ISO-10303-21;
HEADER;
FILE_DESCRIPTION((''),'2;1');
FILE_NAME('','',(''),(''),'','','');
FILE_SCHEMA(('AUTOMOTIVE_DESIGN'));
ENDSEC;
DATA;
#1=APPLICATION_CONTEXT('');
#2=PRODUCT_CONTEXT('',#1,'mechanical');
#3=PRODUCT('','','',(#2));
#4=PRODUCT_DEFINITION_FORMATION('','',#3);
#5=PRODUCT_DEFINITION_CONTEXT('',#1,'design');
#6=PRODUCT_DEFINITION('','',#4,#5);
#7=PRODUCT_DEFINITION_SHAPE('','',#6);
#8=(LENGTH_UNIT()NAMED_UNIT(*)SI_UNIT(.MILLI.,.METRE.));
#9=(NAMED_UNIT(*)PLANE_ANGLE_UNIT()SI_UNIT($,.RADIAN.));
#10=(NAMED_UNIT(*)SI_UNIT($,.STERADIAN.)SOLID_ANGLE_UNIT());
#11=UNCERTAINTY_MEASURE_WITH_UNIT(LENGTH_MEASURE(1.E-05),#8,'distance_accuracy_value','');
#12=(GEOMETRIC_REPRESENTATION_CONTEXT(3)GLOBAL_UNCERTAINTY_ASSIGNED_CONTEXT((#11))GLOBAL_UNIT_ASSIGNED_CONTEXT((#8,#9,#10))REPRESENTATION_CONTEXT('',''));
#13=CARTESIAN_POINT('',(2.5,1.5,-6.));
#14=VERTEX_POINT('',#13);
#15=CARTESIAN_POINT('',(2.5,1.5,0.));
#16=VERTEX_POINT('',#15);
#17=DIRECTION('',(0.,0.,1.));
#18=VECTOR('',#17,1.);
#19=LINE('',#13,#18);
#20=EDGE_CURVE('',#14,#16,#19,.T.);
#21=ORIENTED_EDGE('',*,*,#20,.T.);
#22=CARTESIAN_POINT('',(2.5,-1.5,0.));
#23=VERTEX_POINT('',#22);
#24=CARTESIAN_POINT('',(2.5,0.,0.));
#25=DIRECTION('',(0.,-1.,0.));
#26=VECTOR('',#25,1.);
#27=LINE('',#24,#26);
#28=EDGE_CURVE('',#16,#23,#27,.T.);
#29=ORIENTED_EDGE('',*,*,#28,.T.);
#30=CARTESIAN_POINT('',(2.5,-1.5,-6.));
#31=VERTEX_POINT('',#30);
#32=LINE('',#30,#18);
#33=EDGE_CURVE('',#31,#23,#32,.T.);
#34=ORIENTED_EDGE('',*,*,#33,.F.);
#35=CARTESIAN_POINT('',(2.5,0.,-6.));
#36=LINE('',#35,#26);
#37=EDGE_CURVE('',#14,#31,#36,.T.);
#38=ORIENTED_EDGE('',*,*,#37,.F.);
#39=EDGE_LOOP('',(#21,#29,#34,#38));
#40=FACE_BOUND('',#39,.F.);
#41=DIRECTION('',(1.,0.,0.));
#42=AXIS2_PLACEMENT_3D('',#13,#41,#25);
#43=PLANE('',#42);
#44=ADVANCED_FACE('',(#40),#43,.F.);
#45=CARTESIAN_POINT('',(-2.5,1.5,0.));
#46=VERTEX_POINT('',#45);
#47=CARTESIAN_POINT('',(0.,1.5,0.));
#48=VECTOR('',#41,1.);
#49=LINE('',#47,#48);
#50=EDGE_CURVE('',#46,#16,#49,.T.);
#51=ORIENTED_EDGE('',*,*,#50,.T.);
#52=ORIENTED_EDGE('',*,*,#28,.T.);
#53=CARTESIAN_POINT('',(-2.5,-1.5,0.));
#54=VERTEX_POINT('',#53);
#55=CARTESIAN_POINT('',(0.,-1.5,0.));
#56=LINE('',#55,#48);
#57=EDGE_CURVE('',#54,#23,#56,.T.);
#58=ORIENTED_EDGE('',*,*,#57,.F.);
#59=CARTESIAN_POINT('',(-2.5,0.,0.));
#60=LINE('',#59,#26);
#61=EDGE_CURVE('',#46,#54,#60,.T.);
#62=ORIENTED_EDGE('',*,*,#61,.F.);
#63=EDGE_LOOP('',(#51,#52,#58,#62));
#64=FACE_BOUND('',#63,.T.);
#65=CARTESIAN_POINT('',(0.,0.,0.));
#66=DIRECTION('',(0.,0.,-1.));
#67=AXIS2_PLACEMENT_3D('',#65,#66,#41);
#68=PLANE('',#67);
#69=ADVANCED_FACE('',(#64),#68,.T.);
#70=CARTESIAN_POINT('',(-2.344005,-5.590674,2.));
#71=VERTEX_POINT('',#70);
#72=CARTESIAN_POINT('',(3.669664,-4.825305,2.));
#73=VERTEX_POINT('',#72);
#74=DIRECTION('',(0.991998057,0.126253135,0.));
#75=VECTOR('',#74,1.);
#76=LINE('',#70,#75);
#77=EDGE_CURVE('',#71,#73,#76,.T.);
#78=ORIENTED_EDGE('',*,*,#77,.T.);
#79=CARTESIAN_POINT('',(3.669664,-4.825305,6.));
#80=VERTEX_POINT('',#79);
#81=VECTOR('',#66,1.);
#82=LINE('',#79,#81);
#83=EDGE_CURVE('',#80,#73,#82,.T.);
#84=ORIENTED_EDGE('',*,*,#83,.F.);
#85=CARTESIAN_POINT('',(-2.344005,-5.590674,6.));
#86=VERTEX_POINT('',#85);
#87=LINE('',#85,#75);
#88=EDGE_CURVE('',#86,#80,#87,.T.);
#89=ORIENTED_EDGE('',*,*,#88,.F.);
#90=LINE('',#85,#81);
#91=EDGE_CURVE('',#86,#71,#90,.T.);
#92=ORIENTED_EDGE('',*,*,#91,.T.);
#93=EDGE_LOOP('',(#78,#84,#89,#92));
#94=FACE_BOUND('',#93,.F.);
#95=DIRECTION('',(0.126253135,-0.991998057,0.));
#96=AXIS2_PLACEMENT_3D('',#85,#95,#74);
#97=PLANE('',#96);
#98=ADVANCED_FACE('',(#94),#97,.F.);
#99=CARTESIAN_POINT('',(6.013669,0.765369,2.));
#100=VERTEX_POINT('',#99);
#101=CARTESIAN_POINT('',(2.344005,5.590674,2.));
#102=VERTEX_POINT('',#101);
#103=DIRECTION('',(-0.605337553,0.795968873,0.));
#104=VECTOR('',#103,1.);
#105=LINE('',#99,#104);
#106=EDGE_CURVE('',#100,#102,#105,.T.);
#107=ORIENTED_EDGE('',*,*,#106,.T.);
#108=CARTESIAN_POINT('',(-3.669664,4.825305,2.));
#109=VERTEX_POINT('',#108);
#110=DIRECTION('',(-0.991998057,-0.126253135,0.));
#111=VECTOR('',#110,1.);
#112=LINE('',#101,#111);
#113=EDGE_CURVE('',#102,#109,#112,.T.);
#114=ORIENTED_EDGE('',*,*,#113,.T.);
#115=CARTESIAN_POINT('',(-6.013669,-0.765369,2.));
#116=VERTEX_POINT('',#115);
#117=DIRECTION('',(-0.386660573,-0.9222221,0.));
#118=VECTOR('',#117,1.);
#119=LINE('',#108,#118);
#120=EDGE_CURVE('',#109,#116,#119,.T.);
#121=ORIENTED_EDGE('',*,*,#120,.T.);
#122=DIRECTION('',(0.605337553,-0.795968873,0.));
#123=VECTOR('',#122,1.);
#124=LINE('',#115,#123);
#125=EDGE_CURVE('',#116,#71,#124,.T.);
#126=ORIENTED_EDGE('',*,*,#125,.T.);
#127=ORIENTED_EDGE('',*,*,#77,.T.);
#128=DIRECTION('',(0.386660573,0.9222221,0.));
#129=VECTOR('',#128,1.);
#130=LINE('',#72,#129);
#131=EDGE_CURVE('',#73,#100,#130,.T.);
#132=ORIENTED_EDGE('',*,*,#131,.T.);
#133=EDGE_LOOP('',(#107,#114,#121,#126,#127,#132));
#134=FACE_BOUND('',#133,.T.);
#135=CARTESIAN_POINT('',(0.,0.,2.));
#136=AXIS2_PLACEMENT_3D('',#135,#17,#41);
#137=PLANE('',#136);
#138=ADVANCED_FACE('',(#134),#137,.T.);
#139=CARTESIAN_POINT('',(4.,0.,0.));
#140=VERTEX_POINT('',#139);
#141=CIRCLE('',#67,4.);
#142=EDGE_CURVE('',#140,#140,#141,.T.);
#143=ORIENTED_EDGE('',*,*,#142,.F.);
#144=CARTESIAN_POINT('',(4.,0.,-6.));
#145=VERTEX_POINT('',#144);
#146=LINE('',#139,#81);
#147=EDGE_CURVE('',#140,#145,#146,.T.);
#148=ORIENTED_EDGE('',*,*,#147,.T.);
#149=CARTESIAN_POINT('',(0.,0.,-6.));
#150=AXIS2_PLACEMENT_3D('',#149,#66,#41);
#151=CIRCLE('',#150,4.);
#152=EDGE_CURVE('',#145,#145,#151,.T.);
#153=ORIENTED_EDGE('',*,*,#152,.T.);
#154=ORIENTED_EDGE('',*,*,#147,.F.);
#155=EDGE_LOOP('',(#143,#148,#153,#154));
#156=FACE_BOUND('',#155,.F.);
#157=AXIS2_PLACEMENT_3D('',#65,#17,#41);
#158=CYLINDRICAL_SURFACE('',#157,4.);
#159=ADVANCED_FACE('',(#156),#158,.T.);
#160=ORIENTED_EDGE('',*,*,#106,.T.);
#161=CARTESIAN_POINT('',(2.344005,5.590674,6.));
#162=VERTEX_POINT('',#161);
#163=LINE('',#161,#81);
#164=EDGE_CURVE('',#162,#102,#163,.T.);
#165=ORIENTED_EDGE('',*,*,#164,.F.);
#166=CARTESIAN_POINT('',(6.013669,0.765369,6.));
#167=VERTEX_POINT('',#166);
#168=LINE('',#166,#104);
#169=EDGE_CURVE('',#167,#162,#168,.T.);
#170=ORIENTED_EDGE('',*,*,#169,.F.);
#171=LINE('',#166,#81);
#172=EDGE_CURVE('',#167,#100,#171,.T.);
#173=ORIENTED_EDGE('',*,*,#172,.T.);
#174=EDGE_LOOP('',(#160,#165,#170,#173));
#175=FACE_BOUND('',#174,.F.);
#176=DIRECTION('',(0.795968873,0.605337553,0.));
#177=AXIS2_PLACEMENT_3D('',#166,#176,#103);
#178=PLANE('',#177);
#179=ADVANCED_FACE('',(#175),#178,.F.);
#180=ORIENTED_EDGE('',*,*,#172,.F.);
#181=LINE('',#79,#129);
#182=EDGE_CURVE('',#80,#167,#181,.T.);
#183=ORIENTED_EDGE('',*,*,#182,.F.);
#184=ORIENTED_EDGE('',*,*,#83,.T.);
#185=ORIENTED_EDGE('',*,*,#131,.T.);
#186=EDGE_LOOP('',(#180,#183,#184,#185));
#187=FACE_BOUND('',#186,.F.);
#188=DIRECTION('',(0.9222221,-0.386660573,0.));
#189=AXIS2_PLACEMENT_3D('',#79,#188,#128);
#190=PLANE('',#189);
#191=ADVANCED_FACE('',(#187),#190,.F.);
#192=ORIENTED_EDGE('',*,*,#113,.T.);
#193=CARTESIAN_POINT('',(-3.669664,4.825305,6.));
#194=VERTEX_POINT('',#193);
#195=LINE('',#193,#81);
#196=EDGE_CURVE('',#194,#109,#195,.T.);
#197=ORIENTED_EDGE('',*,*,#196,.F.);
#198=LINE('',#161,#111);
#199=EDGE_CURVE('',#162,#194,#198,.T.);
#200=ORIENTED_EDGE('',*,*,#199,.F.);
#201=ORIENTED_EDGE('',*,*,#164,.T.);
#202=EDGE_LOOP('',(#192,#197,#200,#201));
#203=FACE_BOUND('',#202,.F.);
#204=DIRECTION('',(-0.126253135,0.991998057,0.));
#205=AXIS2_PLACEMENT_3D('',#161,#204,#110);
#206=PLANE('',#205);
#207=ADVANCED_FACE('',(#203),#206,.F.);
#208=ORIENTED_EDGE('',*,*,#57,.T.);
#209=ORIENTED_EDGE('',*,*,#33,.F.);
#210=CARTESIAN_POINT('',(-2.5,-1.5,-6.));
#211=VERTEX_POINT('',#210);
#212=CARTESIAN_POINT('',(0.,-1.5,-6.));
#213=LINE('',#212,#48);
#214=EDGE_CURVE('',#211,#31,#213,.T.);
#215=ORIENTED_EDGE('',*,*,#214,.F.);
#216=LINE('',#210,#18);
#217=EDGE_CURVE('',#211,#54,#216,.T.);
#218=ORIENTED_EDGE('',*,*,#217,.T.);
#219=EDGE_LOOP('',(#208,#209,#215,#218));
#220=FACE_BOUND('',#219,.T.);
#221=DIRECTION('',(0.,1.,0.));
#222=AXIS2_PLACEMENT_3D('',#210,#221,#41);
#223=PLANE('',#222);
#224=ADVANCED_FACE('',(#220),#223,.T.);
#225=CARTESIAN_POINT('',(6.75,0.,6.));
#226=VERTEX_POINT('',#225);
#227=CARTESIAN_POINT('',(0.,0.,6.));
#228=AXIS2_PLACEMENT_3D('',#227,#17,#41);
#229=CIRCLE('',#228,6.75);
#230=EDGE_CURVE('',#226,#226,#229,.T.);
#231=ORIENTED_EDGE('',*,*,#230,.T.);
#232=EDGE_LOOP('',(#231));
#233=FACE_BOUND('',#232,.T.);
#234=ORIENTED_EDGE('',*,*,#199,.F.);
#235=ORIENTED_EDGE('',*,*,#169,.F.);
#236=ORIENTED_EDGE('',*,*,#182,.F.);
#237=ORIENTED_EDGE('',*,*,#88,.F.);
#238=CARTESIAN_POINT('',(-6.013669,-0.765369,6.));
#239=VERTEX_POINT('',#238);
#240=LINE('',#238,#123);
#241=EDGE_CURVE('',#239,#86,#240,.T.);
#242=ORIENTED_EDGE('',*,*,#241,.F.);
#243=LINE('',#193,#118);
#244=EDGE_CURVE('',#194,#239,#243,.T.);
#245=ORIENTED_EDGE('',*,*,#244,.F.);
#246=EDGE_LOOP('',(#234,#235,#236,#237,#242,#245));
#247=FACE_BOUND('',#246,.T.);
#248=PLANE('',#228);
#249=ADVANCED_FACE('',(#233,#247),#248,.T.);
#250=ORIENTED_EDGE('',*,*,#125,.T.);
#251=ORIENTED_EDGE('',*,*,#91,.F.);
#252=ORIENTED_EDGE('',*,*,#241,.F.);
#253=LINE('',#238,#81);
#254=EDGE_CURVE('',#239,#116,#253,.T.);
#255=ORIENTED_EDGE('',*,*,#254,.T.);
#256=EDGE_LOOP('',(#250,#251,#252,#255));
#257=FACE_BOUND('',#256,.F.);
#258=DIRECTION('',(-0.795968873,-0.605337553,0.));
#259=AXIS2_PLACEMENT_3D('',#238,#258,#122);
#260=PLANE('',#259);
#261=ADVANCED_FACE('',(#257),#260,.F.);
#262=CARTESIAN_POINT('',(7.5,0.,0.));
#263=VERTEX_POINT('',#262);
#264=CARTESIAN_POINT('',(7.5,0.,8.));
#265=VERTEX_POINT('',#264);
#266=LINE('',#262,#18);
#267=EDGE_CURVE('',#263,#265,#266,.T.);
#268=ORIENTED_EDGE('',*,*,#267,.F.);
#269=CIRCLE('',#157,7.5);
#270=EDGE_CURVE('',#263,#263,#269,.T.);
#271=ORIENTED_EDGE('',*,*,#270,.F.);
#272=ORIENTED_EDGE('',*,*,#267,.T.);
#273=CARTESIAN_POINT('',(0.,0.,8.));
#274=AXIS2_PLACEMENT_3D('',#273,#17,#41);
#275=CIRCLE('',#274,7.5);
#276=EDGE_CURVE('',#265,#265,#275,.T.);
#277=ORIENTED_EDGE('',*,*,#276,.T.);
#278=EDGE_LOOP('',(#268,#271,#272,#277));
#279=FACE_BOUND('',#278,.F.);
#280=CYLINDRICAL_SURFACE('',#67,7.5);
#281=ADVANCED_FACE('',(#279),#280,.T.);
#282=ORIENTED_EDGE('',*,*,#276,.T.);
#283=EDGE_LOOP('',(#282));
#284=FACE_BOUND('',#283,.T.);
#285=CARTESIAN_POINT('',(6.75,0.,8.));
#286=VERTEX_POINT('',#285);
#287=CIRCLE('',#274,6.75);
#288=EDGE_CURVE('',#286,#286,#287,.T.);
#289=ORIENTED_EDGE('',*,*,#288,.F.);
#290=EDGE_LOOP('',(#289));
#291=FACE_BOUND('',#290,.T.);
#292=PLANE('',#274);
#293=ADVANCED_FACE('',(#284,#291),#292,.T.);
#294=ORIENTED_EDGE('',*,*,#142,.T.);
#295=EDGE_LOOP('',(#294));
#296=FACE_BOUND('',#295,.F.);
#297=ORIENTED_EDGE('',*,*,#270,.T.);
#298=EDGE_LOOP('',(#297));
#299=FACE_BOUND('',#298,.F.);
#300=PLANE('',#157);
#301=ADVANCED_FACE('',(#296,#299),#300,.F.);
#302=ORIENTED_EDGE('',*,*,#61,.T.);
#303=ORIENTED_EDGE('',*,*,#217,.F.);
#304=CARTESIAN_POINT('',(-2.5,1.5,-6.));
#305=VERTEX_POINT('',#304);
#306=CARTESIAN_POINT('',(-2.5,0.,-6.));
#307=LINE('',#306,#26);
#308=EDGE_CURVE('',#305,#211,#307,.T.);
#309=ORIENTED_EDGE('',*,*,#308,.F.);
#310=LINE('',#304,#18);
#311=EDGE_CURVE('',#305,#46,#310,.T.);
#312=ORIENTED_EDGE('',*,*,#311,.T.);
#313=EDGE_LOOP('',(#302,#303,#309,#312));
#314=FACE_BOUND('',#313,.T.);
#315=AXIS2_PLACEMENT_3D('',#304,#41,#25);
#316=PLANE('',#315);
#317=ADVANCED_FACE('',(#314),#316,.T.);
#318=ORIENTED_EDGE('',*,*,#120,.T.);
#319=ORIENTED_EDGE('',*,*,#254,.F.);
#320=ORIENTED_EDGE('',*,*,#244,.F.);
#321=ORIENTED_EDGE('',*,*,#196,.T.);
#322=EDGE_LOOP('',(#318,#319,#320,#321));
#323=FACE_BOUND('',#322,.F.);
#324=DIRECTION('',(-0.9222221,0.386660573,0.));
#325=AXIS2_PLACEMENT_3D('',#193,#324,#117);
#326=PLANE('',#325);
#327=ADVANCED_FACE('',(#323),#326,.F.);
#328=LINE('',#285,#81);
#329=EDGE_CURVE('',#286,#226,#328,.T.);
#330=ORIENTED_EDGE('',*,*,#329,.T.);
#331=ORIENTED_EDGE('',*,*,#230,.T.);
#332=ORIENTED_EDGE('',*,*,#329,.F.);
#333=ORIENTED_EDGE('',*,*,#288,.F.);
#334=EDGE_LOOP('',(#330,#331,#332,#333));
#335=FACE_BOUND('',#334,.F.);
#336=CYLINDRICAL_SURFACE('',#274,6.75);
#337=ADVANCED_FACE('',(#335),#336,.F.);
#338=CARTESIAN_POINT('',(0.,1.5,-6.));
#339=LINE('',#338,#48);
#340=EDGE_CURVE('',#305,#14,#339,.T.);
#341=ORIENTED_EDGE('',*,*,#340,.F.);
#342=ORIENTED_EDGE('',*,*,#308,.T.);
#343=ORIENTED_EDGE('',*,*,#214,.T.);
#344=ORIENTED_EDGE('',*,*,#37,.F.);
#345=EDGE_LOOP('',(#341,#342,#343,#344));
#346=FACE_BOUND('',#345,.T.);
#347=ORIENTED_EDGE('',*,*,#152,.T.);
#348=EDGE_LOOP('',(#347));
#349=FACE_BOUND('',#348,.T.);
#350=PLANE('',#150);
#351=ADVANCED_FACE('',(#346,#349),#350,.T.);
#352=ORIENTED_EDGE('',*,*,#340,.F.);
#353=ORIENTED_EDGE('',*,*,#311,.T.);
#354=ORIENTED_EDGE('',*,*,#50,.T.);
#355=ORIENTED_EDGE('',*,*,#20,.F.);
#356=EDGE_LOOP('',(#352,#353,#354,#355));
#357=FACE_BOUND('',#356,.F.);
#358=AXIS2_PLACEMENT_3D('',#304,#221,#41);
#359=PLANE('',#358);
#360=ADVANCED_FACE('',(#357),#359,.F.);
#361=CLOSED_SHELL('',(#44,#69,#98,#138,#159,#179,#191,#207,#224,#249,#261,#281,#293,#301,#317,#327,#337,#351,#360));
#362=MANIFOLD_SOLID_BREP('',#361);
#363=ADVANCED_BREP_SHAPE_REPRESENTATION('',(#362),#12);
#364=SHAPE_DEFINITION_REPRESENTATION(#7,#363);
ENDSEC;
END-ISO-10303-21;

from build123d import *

# Parameters (mm, degrees)
F0_R     = 7.5
F1_DEPTH = 8
F2_R     = 6.75
F3_DEPTH = 2
F5_DEPTH = 4
F6_R     = 4
F7_DEPTH = 6
F8_W     = 5
F8_H     = 3
F9_DEPTH = 6


with BuildPart() as f1:
    # F0 (on Top) → F1 (new body)
    with BuildSketch(Plane.XY):
        Circle(F0_R)
    extrude(amount=F1_DEPTH)

    # F2 (on face) → F3 (cut)
    with BuildSketch(Plane.XY.offset(8)):
        Circle(F2_R)
    extrude(amount=-F3_DEPTH, mode=Mode.SUBTRACT)

    # F4 (on face) → F5 (cut)
    with BuildSketch(Plane.XY.offset(6)):
        Polygon((6.013669, 0.765369), (2.344005, 5.590674), (-3.669664, 4.825305), (-6.013669, -0.765369), (-2.344005, -5.590674), (3.669664, -4.825305), align=None)
    extrude(amount=-F5_DEPTH, mode=Mode.SUBTRACT)

    # F6 (on face) → F7 (join)
    with BuildSketch(Plane(origin=(0, 0, 0), x_dir=(1, 0, 0), z_dir=(0, 0, -1))):
        Circle(F6_R)
    extrude(amount=F7_DEPTH)

    # F8 (on face) → F9 (cut)
    with BuildSketch(Plane(origin=(0, 0, -6), x_dir=(1, 0, 0), z_dir=(0, 0, -1))):
        Rectangle(F8_W, F8_H)
    extrude(amount=-F9_DEPTH, mode=Mode.SUBTRACT)


solid = f1.part
